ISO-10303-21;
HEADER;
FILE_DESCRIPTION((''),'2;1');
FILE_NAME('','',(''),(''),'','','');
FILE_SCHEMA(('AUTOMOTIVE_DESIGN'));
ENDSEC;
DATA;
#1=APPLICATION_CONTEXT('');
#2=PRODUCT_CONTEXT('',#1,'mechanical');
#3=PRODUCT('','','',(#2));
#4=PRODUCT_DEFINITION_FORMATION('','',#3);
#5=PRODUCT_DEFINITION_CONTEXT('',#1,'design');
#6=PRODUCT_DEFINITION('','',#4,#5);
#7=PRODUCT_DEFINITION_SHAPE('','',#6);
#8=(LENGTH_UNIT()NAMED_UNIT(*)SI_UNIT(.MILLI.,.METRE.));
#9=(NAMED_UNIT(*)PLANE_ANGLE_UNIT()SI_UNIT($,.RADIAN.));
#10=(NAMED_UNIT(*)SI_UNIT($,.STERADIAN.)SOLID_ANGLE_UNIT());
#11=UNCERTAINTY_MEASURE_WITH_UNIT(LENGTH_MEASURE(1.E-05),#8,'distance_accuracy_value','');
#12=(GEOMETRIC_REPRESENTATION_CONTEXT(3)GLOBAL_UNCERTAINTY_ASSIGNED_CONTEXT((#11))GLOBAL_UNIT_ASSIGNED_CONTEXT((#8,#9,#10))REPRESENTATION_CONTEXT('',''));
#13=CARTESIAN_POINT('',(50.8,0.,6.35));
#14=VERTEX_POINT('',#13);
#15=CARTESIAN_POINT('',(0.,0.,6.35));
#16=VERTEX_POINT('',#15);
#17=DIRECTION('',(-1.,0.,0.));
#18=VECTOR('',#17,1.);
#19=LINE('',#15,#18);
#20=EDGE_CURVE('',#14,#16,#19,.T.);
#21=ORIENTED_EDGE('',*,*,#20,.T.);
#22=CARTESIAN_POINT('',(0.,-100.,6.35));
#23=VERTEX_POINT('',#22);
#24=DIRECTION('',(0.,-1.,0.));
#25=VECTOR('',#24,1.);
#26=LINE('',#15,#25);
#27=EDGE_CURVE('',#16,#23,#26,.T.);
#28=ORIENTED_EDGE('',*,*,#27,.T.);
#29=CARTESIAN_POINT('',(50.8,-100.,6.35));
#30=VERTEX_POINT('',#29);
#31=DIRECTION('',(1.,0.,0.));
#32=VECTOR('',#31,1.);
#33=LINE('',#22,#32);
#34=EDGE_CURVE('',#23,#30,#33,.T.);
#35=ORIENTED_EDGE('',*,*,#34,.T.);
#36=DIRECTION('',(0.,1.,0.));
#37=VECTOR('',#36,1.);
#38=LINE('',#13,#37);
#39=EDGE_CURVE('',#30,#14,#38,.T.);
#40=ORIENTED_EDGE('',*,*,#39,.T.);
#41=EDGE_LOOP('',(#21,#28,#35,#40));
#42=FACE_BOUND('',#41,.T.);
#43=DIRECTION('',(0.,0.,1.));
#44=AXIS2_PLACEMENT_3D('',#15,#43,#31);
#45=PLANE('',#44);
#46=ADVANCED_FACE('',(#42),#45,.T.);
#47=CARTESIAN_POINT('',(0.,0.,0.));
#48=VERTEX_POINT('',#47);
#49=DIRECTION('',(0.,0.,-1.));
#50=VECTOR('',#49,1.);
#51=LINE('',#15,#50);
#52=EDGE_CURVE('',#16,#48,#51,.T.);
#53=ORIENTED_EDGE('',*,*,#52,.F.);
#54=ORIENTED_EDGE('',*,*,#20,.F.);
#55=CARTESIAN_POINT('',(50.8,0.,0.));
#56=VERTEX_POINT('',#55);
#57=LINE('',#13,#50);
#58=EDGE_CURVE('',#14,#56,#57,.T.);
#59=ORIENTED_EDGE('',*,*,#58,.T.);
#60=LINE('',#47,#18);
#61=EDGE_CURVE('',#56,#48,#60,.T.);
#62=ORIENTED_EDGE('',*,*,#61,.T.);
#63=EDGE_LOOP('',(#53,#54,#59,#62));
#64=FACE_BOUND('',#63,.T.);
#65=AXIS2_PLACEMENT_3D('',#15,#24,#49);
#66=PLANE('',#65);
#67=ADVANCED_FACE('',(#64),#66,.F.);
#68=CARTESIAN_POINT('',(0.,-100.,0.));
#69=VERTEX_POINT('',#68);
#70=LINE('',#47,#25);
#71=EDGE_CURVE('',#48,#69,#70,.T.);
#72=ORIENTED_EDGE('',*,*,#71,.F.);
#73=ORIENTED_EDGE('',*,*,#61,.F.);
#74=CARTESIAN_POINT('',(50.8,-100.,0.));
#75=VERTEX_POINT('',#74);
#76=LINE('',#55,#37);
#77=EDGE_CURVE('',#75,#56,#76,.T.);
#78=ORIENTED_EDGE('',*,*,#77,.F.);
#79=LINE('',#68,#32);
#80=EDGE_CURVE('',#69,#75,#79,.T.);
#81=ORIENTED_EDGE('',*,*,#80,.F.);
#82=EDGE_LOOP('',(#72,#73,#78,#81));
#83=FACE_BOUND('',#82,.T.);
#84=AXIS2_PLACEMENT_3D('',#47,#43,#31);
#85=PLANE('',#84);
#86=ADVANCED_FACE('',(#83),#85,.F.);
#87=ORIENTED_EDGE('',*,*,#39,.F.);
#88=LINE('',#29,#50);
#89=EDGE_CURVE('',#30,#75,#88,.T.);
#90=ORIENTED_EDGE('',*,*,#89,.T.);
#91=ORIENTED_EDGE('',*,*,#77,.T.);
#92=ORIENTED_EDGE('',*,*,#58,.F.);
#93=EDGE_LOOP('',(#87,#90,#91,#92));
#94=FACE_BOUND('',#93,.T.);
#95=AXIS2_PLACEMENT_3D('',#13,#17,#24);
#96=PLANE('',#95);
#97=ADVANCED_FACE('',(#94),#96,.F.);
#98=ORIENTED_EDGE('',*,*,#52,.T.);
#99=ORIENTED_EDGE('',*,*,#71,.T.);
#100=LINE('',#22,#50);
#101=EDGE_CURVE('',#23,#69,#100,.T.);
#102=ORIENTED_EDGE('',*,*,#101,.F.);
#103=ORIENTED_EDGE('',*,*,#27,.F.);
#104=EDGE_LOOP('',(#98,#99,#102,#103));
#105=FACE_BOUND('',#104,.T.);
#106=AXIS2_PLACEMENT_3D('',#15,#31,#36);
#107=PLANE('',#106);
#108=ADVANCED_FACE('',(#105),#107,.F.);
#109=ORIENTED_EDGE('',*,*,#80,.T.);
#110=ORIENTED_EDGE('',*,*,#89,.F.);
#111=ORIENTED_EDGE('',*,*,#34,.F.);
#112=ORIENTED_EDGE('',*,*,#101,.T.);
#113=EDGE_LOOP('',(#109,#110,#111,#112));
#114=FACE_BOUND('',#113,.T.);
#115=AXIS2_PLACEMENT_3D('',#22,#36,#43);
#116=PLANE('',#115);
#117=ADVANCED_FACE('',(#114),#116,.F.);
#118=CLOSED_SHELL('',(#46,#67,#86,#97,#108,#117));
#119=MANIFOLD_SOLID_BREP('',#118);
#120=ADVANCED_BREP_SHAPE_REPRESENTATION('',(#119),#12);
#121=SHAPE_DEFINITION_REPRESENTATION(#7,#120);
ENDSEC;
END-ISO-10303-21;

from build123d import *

# Parameters (mm, degrees)
SKETCH1_W           = 50.8
SKETCH1_H           = 100
BOSS_EXTRUDE1_DEPTH = 6.35


with BuildPart() as part:
    # Sketch1 → Boss-Extrude1 (new body)
    with BuildSketch(Plane.XY):
        with Locations((25.4, -50)):
            Rectangle(SKETCH1_W, SKETCH1_H)
    extrude(amount=BOSS_EXTRUDE1_DEPTH)


solid = part.part
